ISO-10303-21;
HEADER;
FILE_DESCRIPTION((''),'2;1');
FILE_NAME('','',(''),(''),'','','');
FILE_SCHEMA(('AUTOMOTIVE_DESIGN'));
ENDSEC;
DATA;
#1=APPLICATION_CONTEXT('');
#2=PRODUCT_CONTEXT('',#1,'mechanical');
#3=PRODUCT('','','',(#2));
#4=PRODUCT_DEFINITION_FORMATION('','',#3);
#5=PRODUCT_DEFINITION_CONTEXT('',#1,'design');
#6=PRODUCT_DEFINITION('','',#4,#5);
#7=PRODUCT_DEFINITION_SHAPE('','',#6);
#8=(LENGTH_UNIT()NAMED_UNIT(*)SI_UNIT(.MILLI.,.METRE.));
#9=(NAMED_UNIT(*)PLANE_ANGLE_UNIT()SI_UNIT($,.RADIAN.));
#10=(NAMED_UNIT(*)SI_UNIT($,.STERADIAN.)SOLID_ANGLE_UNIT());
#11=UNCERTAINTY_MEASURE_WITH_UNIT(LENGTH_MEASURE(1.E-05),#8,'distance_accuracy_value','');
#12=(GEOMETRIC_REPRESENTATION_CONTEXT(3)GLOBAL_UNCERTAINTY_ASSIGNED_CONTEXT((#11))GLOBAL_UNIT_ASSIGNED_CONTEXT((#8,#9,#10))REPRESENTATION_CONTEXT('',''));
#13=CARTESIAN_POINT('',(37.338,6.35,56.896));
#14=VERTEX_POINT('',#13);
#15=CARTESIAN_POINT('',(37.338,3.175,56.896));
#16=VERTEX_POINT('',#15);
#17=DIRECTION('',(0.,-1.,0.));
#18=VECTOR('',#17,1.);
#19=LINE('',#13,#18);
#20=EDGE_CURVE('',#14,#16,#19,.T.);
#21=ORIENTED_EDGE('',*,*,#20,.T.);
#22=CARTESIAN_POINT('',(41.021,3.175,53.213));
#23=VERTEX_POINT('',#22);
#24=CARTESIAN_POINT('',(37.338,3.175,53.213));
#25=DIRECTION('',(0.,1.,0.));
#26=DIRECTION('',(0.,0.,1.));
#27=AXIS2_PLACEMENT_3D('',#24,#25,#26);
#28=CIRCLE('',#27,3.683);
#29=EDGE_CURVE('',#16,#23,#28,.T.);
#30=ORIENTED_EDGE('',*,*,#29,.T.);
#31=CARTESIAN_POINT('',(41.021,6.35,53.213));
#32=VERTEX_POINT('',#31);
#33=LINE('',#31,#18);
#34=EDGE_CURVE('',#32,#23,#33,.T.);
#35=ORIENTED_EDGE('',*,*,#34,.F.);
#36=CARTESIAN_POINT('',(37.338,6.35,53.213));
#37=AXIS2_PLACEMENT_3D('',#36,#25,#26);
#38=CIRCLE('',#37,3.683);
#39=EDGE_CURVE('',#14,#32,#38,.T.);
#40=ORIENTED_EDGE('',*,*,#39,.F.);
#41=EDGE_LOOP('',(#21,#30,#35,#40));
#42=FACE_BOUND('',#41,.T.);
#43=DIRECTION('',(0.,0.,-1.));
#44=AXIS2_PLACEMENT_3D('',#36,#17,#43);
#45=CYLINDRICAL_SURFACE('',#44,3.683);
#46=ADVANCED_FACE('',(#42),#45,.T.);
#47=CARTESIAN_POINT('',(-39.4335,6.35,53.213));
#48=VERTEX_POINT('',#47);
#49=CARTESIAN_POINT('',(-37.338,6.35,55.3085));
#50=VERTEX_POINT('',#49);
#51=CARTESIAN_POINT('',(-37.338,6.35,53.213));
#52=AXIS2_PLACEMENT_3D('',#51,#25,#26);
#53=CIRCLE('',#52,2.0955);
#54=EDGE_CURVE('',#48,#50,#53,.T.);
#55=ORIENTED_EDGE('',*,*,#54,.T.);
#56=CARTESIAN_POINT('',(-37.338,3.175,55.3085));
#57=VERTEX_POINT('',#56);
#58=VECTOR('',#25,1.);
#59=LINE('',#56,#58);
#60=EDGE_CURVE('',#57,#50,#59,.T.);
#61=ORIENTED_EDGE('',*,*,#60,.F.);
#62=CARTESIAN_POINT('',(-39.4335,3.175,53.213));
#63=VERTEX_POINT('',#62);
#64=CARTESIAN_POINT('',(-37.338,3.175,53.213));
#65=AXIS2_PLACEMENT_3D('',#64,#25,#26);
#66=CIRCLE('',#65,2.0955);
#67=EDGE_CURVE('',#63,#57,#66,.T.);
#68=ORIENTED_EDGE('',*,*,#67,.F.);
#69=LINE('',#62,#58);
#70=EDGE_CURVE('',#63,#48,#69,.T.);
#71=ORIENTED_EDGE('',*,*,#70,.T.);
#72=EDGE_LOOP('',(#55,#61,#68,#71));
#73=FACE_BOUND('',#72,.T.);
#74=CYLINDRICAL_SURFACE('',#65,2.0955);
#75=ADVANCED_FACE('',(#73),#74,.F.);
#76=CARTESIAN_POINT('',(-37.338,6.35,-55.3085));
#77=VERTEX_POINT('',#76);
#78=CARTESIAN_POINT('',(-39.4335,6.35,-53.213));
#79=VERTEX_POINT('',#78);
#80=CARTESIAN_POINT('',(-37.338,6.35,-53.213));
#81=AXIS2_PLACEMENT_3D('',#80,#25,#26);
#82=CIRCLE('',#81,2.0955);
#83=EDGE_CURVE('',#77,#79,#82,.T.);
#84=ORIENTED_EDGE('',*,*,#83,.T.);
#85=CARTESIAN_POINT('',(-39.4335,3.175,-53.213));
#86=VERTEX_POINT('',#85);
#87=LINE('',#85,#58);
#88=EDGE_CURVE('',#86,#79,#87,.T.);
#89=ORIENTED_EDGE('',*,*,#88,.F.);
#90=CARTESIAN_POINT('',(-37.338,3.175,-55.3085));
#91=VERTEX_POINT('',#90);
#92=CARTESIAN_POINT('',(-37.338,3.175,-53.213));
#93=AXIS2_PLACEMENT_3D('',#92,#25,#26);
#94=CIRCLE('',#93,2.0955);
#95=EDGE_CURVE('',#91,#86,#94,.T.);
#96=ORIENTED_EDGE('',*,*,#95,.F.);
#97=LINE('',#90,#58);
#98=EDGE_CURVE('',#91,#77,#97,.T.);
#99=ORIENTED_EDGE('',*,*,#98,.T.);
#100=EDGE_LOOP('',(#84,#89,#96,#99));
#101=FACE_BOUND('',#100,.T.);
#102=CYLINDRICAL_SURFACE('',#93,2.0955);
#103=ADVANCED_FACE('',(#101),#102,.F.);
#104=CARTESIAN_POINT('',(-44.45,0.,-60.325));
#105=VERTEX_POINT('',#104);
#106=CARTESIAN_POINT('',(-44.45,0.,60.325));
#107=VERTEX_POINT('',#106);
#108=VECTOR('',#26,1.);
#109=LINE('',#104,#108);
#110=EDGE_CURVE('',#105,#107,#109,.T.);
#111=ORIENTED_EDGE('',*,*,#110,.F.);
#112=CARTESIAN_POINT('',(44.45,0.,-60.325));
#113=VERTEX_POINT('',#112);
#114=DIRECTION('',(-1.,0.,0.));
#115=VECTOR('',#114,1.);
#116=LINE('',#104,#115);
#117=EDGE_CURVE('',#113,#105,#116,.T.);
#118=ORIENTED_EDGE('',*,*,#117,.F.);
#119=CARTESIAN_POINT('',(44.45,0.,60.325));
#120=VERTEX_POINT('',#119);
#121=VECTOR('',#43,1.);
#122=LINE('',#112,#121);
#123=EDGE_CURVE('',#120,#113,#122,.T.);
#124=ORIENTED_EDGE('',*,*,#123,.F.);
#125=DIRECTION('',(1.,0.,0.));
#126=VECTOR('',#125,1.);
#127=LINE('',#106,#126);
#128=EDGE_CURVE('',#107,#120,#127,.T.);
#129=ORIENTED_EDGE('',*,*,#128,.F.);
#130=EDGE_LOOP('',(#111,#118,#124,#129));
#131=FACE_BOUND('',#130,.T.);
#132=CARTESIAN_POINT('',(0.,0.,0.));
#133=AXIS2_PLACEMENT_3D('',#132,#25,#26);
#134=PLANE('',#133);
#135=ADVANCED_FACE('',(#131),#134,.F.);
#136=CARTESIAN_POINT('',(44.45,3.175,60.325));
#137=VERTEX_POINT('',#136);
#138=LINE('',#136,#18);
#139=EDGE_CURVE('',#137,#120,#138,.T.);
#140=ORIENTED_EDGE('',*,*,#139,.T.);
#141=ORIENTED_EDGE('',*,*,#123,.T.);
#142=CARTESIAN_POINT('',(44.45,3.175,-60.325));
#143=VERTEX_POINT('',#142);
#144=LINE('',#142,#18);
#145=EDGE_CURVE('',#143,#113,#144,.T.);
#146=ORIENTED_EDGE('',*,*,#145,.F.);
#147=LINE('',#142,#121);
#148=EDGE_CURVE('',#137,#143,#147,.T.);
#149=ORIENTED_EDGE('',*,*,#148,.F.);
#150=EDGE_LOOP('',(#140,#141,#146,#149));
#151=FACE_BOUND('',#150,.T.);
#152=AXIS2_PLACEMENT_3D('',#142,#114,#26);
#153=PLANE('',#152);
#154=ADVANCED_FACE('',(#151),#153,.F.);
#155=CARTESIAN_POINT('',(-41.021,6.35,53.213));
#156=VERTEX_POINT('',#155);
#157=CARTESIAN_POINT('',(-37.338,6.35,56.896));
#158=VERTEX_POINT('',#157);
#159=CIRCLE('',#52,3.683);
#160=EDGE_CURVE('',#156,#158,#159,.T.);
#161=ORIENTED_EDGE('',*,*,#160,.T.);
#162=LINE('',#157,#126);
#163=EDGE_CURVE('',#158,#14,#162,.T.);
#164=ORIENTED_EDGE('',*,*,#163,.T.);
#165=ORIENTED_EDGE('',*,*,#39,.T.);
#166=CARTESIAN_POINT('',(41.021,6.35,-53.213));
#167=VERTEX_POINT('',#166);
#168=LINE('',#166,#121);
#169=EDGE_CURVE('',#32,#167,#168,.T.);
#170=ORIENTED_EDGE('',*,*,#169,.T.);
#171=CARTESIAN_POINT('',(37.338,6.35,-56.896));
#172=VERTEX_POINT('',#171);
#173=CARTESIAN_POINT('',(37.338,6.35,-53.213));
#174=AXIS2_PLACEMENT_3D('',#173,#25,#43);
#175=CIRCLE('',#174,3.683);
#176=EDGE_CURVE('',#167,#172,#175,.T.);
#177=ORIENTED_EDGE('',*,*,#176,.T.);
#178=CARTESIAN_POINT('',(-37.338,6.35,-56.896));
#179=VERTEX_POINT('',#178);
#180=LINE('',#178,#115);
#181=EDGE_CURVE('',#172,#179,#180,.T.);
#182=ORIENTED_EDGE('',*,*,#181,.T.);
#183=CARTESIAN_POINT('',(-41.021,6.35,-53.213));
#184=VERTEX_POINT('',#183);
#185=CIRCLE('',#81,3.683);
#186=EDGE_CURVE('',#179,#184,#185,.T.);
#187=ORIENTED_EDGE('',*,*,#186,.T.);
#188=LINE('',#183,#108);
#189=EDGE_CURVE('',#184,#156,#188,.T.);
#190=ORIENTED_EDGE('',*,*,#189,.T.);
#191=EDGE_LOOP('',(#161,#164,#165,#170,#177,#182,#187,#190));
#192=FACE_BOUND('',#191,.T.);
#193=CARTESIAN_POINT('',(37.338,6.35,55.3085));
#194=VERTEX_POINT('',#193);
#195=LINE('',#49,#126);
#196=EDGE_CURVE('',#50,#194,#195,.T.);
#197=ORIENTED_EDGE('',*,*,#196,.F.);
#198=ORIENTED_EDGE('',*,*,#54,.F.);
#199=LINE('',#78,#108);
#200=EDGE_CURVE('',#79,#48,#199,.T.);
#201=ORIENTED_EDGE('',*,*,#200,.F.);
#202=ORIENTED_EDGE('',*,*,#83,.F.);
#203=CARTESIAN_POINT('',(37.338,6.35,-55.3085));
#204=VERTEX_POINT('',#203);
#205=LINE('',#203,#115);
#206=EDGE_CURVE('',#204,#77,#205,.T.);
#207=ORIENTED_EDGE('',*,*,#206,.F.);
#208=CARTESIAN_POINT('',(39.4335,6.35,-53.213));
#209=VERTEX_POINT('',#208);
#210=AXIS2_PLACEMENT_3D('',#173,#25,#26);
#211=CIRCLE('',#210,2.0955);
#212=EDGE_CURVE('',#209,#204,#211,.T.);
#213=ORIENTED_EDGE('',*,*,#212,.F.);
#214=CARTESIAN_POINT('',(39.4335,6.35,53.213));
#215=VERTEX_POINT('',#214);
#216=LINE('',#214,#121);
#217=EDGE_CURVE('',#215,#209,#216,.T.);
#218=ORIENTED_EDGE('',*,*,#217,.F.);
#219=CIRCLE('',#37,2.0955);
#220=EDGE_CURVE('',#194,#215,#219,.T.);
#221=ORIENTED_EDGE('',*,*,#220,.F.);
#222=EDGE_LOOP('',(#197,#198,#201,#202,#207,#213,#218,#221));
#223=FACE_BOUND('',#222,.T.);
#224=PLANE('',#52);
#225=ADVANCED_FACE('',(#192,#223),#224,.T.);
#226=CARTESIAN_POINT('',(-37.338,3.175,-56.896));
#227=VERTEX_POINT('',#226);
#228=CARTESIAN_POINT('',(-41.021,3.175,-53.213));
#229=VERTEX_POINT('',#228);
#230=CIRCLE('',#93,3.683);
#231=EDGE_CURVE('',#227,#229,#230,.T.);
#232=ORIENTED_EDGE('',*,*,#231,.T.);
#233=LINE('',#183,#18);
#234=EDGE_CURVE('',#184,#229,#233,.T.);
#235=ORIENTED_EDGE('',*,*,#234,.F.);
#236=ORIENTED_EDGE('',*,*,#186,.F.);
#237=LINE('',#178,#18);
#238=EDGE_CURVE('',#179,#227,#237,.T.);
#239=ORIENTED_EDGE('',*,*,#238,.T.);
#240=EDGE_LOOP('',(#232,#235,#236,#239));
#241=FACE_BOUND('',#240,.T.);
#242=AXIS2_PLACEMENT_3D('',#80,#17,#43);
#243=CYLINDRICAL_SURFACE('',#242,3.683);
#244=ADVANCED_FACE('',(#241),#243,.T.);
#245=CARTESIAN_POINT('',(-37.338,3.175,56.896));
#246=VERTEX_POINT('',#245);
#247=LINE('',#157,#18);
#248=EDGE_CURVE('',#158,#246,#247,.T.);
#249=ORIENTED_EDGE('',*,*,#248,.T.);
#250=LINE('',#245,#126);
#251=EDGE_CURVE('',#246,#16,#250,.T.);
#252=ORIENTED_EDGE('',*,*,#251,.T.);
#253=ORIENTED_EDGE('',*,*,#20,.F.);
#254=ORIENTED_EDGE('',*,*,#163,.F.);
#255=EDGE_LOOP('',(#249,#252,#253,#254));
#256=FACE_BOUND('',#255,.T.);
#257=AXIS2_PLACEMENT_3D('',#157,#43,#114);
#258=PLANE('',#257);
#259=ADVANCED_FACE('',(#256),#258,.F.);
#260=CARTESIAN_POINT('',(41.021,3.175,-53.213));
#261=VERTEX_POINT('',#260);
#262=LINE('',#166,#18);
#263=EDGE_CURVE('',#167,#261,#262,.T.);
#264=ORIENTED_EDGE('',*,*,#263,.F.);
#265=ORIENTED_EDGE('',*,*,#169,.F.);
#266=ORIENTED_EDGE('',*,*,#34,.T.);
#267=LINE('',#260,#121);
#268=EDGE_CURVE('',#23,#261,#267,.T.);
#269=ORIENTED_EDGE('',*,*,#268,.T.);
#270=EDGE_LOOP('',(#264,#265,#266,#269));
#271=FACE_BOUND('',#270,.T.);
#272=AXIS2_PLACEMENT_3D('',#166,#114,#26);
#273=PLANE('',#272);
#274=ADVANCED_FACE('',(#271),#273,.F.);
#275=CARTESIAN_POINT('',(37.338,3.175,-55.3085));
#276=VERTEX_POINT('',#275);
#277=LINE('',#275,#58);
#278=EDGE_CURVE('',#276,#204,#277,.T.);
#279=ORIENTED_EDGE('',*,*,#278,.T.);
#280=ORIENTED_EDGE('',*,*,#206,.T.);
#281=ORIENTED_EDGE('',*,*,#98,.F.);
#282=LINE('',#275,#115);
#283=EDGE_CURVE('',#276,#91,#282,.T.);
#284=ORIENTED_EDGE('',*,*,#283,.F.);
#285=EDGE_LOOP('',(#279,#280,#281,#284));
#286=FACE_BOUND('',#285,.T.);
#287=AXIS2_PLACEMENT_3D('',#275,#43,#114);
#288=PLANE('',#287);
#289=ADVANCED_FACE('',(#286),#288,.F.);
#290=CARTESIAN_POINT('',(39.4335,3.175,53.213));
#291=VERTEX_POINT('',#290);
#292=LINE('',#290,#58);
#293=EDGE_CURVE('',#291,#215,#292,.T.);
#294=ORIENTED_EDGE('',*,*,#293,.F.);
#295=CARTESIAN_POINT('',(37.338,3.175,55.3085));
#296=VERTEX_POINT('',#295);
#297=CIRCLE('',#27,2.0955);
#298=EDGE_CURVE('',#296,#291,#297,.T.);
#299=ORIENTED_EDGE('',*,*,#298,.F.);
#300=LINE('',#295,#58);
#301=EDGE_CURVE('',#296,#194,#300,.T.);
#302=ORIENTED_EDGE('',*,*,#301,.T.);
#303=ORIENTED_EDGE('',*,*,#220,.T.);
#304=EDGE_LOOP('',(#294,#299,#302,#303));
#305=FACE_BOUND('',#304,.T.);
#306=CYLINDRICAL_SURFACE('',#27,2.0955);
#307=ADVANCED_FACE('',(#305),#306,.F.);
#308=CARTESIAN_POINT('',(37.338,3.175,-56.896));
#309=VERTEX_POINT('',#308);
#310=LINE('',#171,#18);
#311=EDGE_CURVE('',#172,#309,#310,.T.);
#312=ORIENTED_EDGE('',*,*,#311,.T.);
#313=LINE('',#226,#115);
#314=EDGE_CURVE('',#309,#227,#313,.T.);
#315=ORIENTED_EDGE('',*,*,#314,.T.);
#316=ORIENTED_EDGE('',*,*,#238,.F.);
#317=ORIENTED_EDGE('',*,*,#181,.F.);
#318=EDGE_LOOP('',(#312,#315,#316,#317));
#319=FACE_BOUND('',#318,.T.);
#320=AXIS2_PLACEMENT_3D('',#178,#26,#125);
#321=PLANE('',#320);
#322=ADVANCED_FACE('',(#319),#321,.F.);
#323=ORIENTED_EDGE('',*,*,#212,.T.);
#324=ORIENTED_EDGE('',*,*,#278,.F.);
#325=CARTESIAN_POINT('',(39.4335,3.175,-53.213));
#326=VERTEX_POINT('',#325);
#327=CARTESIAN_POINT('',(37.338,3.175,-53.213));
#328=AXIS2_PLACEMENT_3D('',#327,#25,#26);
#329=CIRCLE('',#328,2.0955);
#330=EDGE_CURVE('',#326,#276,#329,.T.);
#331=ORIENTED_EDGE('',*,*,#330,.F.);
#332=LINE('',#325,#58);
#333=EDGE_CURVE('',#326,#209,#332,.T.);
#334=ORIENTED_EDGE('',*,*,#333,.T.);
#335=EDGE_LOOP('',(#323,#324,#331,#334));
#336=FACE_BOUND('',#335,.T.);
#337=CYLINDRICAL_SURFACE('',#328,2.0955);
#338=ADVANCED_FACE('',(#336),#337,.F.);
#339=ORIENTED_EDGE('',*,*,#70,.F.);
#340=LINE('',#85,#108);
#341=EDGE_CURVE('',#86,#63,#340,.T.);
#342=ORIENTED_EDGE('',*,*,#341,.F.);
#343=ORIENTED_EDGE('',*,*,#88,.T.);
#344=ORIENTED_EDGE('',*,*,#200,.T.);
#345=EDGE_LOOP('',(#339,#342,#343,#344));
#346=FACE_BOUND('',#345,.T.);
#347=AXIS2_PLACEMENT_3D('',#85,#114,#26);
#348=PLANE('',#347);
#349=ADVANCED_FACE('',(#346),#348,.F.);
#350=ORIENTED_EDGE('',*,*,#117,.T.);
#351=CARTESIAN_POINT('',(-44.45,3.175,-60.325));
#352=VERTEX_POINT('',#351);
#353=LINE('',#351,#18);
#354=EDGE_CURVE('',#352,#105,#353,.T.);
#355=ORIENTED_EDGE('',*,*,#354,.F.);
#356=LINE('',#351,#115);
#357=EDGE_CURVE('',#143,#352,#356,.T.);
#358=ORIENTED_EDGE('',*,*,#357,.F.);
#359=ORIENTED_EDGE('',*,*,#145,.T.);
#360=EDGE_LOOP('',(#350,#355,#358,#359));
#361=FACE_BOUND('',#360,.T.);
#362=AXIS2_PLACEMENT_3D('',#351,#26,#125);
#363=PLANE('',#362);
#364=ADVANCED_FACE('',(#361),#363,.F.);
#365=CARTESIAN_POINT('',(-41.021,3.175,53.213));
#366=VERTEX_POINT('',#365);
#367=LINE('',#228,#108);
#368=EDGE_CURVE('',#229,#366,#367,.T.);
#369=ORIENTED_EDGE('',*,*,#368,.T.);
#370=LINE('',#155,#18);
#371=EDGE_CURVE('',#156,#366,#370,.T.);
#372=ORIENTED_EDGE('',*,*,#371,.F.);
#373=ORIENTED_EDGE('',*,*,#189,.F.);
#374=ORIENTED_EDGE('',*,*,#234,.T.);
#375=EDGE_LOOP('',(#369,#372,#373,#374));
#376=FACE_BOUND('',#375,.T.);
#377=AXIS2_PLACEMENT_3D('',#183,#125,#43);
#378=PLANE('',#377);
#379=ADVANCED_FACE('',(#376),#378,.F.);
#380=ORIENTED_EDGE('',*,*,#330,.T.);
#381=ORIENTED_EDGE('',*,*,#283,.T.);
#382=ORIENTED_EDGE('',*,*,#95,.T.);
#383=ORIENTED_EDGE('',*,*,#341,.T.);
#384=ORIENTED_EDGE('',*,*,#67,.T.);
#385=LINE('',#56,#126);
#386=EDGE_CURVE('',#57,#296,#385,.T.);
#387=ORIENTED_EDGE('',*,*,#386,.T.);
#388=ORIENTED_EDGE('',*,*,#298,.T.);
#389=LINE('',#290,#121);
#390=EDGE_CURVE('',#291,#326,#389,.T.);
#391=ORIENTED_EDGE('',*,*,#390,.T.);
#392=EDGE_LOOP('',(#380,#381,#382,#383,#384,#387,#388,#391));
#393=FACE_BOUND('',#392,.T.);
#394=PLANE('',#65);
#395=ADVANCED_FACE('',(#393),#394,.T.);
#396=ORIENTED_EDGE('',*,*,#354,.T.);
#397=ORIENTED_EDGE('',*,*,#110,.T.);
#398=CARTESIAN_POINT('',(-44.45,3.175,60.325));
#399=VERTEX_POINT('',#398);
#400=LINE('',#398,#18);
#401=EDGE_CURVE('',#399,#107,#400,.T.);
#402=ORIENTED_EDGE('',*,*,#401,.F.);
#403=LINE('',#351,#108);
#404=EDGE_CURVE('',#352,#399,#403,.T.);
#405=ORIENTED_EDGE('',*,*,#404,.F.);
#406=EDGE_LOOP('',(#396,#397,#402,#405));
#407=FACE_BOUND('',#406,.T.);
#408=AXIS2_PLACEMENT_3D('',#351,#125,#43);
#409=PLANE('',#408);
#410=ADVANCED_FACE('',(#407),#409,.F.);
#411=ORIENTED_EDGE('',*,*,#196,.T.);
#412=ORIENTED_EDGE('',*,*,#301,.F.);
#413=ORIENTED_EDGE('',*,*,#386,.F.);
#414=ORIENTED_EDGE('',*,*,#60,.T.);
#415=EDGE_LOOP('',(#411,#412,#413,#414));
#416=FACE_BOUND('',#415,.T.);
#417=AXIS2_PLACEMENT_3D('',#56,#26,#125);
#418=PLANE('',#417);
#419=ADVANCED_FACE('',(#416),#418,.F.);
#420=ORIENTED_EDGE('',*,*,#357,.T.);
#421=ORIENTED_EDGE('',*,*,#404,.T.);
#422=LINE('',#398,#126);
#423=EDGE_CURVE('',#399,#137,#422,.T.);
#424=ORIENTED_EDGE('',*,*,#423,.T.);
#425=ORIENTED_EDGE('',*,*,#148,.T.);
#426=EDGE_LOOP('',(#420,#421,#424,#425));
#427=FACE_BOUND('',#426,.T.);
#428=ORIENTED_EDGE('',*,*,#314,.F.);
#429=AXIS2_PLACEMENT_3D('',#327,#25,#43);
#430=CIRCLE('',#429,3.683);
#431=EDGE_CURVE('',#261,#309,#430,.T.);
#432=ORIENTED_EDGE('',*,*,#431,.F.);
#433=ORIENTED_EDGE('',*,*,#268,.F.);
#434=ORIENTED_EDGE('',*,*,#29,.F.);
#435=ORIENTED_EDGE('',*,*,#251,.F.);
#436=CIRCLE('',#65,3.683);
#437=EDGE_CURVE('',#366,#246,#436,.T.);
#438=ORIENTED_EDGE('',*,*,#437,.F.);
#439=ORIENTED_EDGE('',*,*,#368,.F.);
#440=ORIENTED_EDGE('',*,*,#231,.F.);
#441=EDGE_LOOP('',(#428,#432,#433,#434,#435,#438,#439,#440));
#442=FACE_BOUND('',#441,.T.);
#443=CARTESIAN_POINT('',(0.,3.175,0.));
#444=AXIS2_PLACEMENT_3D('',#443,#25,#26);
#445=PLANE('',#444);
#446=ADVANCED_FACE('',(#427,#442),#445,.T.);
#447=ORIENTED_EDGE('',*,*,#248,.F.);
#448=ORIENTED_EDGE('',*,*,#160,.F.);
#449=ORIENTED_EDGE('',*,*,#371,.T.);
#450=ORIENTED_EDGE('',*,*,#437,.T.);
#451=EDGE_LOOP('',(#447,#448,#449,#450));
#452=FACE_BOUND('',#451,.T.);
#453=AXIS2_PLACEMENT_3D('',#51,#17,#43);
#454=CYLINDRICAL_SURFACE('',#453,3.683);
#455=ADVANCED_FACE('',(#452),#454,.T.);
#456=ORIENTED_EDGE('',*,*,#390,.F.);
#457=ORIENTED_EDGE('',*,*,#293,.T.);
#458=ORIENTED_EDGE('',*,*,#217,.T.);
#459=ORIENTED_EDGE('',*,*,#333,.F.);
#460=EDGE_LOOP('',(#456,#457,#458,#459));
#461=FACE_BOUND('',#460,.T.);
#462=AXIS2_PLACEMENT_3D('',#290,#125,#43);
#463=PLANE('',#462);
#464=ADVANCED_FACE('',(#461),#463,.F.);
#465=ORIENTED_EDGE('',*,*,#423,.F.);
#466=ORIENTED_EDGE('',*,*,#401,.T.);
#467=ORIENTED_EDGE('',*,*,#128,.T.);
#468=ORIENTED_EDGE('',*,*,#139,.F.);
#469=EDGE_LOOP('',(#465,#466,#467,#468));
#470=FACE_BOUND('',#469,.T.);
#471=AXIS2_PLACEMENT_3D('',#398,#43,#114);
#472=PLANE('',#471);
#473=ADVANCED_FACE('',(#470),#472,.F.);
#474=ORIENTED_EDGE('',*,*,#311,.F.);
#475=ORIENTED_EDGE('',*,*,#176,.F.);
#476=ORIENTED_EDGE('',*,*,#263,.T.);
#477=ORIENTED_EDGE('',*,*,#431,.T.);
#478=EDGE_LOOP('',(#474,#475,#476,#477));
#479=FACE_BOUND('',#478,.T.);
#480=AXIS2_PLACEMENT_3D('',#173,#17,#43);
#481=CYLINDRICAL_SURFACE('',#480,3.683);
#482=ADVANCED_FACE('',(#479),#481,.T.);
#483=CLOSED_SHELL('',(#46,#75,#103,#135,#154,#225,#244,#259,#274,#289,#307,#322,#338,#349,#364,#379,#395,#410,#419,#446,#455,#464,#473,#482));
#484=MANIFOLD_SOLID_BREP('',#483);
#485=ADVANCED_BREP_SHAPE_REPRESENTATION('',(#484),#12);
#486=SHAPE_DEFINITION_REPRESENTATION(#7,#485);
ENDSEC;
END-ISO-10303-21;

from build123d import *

# Parameters (mm, degrees)
SKETCH1_W           = 88.9
SKETCH1_H           = 120.65
BOSS_EXTRUDE1_DEPTH = 3.175
BOSS_EXTRUDE2_DEPTH = 3.175
CUT_EXTRUDE1_DEPTH  = 3.175


with BuildPart() as part:
    # Sketch1 → Boss-Extrude1 (new body)
    with BuildSketch(Plane(origin=(0, 0, 0), x_dir=(1, 0, 0), z_dir=(0, 1, 0))):
        Rectangle(SKETCH1_W, SKETCH1_H)
    extrude(amount=BOSS_EXTRUDE1_DEPTH)

    # Sketch2 → Boss-Extrude2 (add)
    with BuildSketch(Plane(origin=(0, 3.175, 0), x_dir=(1, 0, 0), z_dir=(0, 1, 0))):
        with BuildLine():
            Line((-37.338, 56.896), (37.338, 56.896))
            ThreePointArc((37.338, 56.896), (39.942274275, 55.817274275), (41.021, 53.213))
            Line((41.021, 53.213), (41.021, -53.213))
            ThreePointArc((41.021, -53.213), (39.942274275, -55.817274275), (37.338, -56.896))
            Line((37.338, -56.896), (-37.338, -56.896))
            ThreePointArc((-37.338, -56.896), (-39.942274275, -55.817274275), (-41.021, -53.213))
            Line((-41.021, -53.213), (-41.021, 53.213))
            ThreePointArc((-41.021, 53.213), (-39.942274275, 55.817274275), (-37.338, 56.896))
        make_face()
    extrude(amount=BOSS_EXTRUDE2_DEPTH)

    # Sketch3 → Cut-Extrude1 (cut)
    with BuildSketch(Plane(origin=(0, 6.35, 0), x_dir=(1, 0, 0), z_dir=(0, 1, 0))):
        with BuildLine():
            Line((-37.338, -55.3085), (37.338, -55.3085))
            ThreePointArc((37.338, -55.3085), (38.81974226, -54.69474226), (39.4335, -53.213))
            Line((39.4335, -53.213), (39.4335, 53.213))
            ThreePointArc((39.4335, 53.213), (38.81974226, 54.69474226), (37.338, 55.3085))
            Line((37.338, 55.3085), (-37.338, 55.3085))
            ThreePointArc((-37.338, 55.3085), (-38.81974226, 54.69474226), (-39.4335, 53.213))
            Line((-39.4335, 53.213), (-39.4335, -53.213))
            ThreePointArc((-39.4335, -53.213), (-38.81974226, -54.69474226), (-37.338, -55.3085))
        make_face()
    extrude(amount=-CUT_EXTRUDE1_DEPTH, mode=Mode.SUBTRACT)


solid = part.part
